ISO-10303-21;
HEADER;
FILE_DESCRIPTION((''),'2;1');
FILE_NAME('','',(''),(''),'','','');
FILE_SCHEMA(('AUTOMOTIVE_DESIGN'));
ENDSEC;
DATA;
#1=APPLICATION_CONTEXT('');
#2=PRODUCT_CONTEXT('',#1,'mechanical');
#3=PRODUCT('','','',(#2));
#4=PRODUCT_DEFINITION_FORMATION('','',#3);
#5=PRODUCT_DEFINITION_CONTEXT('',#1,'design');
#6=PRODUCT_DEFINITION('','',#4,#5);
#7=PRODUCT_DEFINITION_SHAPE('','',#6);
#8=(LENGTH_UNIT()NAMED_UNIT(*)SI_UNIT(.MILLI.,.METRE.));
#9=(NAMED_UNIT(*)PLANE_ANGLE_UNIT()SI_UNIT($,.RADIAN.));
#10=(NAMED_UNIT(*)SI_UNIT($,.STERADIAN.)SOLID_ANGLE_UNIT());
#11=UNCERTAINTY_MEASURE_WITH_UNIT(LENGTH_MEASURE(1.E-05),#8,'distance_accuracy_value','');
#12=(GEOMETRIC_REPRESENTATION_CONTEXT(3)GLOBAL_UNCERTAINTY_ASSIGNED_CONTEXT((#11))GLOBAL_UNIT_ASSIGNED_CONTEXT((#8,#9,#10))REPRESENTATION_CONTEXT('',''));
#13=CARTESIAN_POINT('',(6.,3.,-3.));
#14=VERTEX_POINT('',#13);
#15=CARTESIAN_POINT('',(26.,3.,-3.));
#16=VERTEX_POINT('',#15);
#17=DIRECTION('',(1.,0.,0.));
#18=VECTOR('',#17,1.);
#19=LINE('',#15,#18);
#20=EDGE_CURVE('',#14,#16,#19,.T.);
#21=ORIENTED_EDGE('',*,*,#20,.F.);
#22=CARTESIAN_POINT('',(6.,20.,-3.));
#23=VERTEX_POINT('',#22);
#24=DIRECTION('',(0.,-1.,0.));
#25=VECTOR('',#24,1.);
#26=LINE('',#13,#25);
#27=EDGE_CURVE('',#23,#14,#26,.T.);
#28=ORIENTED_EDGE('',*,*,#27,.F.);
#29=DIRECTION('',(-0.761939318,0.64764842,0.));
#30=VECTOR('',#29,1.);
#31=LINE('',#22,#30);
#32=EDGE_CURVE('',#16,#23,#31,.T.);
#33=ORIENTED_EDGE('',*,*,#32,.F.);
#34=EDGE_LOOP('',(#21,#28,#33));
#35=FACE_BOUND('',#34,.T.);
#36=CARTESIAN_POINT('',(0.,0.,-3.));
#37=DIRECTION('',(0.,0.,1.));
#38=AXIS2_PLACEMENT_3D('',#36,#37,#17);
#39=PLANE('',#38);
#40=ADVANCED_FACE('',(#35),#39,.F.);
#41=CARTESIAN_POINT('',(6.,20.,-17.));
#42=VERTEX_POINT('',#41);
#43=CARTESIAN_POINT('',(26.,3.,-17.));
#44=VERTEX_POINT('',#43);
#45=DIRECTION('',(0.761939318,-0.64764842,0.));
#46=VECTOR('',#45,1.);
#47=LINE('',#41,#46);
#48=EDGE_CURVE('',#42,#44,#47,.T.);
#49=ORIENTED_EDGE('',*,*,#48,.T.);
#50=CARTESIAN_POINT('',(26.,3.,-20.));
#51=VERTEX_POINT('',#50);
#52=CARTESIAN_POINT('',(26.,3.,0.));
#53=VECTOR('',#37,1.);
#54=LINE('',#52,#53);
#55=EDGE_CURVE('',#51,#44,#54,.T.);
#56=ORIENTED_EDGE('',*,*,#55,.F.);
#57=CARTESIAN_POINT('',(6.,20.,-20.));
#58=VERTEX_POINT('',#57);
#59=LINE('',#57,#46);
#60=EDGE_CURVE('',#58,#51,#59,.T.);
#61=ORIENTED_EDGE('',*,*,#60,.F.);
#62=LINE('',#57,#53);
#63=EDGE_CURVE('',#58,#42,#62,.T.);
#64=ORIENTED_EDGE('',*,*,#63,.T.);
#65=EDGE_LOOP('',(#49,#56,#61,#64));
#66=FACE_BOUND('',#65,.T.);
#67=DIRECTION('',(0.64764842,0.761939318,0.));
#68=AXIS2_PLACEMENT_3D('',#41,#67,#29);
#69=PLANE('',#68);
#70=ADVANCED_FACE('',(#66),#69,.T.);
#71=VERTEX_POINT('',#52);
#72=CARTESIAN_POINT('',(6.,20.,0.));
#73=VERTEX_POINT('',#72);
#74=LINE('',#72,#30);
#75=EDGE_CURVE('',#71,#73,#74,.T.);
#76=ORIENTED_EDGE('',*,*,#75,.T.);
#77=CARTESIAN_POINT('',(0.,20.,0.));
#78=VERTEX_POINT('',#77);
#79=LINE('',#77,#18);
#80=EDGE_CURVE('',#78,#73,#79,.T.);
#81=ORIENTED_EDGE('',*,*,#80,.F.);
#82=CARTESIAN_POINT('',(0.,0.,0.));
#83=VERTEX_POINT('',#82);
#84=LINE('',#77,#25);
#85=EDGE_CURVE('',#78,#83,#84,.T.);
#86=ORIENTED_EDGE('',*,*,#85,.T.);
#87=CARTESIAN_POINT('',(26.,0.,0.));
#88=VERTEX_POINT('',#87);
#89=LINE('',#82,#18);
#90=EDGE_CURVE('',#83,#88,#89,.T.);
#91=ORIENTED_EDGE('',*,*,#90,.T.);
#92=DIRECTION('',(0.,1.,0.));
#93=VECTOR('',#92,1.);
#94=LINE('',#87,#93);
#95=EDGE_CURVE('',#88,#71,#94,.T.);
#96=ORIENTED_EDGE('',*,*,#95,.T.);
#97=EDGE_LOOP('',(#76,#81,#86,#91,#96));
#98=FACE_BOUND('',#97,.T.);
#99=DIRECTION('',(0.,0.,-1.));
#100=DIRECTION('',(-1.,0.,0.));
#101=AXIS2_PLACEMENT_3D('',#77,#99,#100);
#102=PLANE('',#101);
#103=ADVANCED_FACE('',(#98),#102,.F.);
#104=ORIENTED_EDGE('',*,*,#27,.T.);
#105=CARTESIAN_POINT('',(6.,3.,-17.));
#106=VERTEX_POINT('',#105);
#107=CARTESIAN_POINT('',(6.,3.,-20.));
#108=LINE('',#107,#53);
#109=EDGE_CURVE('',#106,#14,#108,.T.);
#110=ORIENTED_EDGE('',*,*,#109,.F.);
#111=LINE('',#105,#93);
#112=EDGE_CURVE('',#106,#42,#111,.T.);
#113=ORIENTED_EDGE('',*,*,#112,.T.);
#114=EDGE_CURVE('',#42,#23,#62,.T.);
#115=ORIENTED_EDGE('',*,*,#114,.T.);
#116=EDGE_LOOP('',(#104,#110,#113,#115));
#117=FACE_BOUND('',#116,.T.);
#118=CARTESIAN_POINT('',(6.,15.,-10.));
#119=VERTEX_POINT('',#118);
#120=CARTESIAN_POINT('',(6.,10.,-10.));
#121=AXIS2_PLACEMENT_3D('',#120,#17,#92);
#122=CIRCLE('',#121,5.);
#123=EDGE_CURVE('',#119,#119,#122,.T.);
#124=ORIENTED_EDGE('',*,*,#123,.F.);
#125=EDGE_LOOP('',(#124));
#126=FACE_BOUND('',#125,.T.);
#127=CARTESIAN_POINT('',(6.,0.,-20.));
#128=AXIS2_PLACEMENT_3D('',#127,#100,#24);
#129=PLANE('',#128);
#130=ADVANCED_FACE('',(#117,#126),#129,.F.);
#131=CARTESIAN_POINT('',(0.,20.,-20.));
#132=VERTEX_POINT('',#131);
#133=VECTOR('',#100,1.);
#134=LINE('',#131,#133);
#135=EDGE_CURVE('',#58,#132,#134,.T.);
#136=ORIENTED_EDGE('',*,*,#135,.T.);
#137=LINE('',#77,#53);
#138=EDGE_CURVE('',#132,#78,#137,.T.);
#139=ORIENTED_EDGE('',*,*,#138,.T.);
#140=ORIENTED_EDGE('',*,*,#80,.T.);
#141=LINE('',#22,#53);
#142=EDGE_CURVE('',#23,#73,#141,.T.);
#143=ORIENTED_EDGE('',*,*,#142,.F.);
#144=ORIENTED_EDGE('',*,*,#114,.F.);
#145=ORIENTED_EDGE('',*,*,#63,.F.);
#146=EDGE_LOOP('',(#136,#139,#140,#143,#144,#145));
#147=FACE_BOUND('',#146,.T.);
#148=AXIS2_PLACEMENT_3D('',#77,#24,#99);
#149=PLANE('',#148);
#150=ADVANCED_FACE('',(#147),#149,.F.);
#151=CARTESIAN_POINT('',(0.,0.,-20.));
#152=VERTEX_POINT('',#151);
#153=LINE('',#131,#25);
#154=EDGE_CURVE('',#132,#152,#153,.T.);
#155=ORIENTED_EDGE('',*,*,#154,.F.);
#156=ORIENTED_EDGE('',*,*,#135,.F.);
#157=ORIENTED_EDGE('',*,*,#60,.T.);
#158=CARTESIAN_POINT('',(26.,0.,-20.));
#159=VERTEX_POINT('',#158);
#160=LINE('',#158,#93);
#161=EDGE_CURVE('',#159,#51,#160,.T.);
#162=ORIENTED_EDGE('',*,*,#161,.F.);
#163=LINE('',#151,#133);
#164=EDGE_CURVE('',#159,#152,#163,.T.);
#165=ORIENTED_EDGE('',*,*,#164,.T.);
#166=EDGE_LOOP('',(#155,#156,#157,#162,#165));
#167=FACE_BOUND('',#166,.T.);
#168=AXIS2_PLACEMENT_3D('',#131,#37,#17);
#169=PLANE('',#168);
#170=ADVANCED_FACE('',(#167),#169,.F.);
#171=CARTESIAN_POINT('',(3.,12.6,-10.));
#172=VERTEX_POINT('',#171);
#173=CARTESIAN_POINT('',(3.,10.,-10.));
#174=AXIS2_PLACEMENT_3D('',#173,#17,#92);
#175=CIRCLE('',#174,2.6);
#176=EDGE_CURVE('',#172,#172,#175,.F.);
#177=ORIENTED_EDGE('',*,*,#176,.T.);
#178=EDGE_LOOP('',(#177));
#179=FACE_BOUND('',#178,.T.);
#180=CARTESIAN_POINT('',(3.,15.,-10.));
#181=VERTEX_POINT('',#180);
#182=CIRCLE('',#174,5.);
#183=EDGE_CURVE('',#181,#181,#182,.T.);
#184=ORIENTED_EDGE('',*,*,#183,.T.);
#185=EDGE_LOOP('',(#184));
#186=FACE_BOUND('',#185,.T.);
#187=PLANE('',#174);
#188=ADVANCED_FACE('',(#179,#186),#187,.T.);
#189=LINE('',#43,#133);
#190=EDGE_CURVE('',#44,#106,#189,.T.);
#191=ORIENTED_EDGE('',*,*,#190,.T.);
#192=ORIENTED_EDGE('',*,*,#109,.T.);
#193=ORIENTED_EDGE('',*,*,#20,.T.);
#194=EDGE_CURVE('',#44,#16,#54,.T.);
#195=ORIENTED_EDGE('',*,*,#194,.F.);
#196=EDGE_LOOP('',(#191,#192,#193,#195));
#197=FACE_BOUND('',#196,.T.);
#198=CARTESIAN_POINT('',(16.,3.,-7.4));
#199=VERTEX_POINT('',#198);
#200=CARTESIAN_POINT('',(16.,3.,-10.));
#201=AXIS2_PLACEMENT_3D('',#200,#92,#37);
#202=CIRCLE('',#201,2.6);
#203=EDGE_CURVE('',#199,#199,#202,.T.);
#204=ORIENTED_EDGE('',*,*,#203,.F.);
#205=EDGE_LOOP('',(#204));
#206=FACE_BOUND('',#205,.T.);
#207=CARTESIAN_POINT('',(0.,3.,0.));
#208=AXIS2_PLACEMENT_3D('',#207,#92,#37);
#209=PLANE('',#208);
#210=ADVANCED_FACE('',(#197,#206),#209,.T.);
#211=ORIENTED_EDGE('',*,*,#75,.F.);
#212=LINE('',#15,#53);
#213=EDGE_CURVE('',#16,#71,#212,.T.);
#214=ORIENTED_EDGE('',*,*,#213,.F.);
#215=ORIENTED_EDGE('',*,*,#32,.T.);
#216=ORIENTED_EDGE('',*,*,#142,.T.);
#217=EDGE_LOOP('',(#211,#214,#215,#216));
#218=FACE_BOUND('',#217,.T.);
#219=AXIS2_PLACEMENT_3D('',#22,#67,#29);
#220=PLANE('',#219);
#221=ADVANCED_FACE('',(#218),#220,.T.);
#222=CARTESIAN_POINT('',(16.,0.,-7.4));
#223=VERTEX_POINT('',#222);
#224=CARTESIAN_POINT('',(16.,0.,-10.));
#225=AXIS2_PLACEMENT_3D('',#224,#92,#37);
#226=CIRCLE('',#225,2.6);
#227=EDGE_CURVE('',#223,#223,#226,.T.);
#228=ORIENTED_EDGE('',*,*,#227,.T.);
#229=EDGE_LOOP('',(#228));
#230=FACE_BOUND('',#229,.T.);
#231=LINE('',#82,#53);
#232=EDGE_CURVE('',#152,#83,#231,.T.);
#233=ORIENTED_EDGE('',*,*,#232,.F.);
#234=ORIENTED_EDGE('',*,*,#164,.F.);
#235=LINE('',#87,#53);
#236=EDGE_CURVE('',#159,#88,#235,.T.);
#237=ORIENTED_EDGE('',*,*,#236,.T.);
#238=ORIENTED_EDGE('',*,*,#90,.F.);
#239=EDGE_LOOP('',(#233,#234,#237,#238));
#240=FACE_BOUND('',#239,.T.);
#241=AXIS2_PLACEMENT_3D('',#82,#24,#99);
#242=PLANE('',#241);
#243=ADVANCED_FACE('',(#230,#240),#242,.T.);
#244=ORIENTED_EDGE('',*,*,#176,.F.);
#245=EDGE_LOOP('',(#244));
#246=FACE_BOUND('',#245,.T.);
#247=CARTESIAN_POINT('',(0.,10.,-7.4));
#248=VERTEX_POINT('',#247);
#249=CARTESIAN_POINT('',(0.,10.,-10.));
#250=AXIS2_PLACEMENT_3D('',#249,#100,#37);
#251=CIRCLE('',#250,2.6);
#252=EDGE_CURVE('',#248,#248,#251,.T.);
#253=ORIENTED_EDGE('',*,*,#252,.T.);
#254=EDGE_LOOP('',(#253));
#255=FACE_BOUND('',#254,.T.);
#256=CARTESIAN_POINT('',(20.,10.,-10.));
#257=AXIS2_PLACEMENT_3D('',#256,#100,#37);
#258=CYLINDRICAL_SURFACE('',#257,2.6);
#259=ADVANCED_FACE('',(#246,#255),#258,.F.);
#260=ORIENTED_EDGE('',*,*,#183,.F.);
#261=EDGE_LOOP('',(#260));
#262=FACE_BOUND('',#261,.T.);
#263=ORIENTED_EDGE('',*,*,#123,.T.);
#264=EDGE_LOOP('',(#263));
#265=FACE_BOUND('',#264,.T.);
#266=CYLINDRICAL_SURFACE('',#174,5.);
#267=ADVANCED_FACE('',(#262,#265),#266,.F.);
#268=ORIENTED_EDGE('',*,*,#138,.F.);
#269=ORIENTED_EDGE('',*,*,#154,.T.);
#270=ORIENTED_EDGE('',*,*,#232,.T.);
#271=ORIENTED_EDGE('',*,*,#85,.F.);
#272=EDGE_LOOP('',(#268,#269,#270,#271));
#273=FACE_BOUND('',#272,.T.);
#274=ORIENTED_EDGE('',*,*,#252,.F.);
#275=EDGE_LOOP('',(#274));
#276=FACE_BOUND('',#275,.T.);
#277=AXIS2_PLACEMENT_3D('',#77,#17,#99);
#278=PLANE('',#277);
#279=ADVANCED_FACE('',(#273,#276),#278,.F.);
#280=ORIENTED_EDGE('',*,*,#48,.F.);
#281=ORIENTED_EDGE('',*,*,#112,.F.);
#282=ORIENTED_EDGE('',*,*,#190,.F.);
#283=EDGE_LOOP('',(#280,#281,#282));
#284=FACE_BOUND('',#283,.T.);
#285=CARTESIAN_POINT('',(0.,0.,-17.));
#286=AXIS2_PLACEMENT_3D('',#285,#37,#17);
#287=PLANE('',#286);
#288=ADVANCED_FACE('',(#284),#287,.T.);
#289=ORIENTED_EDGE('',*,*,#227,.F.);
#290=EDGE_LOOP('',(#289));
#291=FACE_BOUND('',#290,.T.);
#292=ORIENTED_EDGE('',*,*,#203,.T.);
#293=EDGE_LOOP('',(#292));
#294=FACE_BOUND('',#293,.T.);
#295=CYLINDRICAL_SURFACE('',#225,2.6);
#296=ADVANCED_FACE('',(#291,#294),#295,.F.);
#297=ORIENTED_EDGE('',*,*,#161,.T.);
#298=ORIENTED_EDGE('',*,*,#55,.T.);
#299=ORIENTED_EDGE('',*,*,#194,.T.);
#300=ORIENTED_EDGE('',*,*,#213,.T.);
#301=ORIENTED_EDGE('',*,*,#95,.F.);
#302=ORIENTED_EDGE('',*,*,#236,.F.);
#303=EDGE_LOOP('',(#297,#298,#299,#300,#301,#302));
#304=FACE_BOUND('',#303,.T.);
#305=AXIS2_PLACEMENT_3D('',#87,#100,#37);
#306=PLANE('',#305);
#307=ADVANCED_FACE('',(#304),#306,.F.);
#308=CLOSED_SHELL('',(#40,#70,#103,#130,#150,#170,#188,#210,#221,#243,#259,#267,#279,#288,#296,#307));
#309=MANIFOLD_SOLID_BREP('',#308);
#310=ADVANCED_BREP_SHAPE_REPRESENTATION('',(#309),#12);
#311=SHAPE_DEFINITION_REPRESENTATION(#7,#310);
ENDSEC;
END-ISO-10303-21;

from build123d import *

# Parameters (mm, degrees)
SKETCH_1_W          = 40
SKETCH_1_H          = 20
EXTRUDE_1_DEPTH     = 20
SKETCH_2_W          = 34
SKETCH_2_H          = 14
CUT_EXTRUDE_1_DEPTH = 20
CUT_EXTRUDE_2_DEPTH = 20
SKETCH_5_R          = 5
CUT_EXTRUDE_3_DEPTH = 3
SKETCH_6_W          = 34
SKETCH_6_H          = 20
CUT_EXTRUDE_4_DEPTH = 3
SKETCH_7_W          = 14
SKETCH_7_H          = 20
CUT_EXTRUDE_5_DEPTH = 3
EXTRUDE_2_DEPTH     = 3
EXTRUDE_3_DEPTH     = 3


with BuildPart() as part:
    # 草图1 → 凸台-拉伸1 (new body)
    with BuildSketch(Plane(origin=(0, 0, 0), x_dir=(1, 0, 0), z_dir=(0, 1, 0))):
        with Locations((20, 10)):
            Rectangle(SKETCH_1_W, SKETCH_1_H)
    extrude(amount=EXTRUDE_1_DEPTH)

    # 草图2 → 切除-拉伸1 (cut)
    with BuildSketch(Plane.XY):
        with Locations((23, 13)):
            Rectangle(SKETCH_2_W, SKETCH_2_H)
    extrude(amount=-CUT_EXTRUDE_1_DEPTH, mode=Mode.SUBTRACT)

    # 草图4 → 切除-拉伸2 (cut)
    with BuildSketch(Plane.ZY):
        with BuildLine():
            ThreePointArc((-7.4, 10), (-9.005023076, 12.402086785), (-11.838477631, 11.838477631))
            Line((-11.838477631, 11.838477631), (-8.161522369, 8.161522369))
            ThreePointArc((-8.161522369, 8.161522369), (-7.597913215, 9.005023076), (-7.4, 10))
        make_face()
        with BuildLine():
            Line((-8.161522369, 8.161522369), (-11.838477631, 11.838477631))
            ThreePointArc((-11.838477631, 11.838477631), (-11.838477631, 8.161522369), (-8.161522369, 8.161522369))
        make_face()
    extrude(amount=-CUT_EXTRUDE_2_DEPTH, mode=Mode.SUBTRACT)

    # 草图5 → 切除-拉伸3 (cut)
    with BuildSketch(Plane(origin=(6, 0, 0), x_dir=(0, 0, -1), z_dir=(1, 0, 0))):
        with Locations(Location((10, 10, 0), (0, 0, 90))):
            Circle(SKETCH_5_R)
    extrude(amount=-CUT_EXTRUDE_3_DEPTH, mode=Mode.SUBTRACT)

    # 草图6 → 切除-拉伸4 (cut)
    with BuildSketch(Plane(origin=(0, 6, 0), x_dir=(1, 0, 0), z_dir=(0, 1, 0))):
        with Locations((23, 10)):
            Rectangle(SKETCH_6_W, SKETCH_6_H)
    extrude(amount=-CUT_EXTRUDE_4_DEPTH, mode=Mode.SUBTRACT)

    # 草图7 → 切除-拉伸5 (cut)
    with BuildSketch(Plane(origin=(0, 3, 0), x_dir=(1, 0, 0), z_dir=(0, 1, 0))):
        with Locations((33, 10)):
            Rectangle(SKETCH_7_W, SKETCH_7_H)
        with BuildLine():
            ThreePointArc((18.6, 10), (16.994976924, 12.402086785), (14.161522369, 11.838477631))
            Line((14.161522369, 11.838477631), (17.838477631, 8.161522369))
            ThreePointArc((17.838477631, 8.161522369), (18.402086785, 9.005023076), (18.6, 10))
        make_face()
        with BuildLine():
            Line((17.838477631, 8.161522369), (14.161522369, 11.838477631))
            ThreePointArc((14.161522369, 11.838477631), (14.161522369, 8.161522369), (17.838477631, 8.161522369))
        make_face()
    extrude(amount=-CUT_EXTRUDE_5_DEPTH, mode=Mode.SUBTRACT)

    # 草图9 → 凸台-拉伸2 (add)
    with BuildSketch(Plane.XY):
        Polygon((6, 20), (26, 3), (6, 3), align=None)
    extrude(amount=-EXTRUDE_2_DEPTH)

    # 草图10 → 凸台-拉伸3 (add)
    with BuildSketch(Plane(origin=(0, 0, -20), x_dir=(-1, 0, 0), z_dir=(0, 0, -1))):
        Polygon((-26, 3), (-6, 3), (-6, 20), align=None)
    extrude(amount=-EXTRUDE_3_DEPTH)


solid = part.part
